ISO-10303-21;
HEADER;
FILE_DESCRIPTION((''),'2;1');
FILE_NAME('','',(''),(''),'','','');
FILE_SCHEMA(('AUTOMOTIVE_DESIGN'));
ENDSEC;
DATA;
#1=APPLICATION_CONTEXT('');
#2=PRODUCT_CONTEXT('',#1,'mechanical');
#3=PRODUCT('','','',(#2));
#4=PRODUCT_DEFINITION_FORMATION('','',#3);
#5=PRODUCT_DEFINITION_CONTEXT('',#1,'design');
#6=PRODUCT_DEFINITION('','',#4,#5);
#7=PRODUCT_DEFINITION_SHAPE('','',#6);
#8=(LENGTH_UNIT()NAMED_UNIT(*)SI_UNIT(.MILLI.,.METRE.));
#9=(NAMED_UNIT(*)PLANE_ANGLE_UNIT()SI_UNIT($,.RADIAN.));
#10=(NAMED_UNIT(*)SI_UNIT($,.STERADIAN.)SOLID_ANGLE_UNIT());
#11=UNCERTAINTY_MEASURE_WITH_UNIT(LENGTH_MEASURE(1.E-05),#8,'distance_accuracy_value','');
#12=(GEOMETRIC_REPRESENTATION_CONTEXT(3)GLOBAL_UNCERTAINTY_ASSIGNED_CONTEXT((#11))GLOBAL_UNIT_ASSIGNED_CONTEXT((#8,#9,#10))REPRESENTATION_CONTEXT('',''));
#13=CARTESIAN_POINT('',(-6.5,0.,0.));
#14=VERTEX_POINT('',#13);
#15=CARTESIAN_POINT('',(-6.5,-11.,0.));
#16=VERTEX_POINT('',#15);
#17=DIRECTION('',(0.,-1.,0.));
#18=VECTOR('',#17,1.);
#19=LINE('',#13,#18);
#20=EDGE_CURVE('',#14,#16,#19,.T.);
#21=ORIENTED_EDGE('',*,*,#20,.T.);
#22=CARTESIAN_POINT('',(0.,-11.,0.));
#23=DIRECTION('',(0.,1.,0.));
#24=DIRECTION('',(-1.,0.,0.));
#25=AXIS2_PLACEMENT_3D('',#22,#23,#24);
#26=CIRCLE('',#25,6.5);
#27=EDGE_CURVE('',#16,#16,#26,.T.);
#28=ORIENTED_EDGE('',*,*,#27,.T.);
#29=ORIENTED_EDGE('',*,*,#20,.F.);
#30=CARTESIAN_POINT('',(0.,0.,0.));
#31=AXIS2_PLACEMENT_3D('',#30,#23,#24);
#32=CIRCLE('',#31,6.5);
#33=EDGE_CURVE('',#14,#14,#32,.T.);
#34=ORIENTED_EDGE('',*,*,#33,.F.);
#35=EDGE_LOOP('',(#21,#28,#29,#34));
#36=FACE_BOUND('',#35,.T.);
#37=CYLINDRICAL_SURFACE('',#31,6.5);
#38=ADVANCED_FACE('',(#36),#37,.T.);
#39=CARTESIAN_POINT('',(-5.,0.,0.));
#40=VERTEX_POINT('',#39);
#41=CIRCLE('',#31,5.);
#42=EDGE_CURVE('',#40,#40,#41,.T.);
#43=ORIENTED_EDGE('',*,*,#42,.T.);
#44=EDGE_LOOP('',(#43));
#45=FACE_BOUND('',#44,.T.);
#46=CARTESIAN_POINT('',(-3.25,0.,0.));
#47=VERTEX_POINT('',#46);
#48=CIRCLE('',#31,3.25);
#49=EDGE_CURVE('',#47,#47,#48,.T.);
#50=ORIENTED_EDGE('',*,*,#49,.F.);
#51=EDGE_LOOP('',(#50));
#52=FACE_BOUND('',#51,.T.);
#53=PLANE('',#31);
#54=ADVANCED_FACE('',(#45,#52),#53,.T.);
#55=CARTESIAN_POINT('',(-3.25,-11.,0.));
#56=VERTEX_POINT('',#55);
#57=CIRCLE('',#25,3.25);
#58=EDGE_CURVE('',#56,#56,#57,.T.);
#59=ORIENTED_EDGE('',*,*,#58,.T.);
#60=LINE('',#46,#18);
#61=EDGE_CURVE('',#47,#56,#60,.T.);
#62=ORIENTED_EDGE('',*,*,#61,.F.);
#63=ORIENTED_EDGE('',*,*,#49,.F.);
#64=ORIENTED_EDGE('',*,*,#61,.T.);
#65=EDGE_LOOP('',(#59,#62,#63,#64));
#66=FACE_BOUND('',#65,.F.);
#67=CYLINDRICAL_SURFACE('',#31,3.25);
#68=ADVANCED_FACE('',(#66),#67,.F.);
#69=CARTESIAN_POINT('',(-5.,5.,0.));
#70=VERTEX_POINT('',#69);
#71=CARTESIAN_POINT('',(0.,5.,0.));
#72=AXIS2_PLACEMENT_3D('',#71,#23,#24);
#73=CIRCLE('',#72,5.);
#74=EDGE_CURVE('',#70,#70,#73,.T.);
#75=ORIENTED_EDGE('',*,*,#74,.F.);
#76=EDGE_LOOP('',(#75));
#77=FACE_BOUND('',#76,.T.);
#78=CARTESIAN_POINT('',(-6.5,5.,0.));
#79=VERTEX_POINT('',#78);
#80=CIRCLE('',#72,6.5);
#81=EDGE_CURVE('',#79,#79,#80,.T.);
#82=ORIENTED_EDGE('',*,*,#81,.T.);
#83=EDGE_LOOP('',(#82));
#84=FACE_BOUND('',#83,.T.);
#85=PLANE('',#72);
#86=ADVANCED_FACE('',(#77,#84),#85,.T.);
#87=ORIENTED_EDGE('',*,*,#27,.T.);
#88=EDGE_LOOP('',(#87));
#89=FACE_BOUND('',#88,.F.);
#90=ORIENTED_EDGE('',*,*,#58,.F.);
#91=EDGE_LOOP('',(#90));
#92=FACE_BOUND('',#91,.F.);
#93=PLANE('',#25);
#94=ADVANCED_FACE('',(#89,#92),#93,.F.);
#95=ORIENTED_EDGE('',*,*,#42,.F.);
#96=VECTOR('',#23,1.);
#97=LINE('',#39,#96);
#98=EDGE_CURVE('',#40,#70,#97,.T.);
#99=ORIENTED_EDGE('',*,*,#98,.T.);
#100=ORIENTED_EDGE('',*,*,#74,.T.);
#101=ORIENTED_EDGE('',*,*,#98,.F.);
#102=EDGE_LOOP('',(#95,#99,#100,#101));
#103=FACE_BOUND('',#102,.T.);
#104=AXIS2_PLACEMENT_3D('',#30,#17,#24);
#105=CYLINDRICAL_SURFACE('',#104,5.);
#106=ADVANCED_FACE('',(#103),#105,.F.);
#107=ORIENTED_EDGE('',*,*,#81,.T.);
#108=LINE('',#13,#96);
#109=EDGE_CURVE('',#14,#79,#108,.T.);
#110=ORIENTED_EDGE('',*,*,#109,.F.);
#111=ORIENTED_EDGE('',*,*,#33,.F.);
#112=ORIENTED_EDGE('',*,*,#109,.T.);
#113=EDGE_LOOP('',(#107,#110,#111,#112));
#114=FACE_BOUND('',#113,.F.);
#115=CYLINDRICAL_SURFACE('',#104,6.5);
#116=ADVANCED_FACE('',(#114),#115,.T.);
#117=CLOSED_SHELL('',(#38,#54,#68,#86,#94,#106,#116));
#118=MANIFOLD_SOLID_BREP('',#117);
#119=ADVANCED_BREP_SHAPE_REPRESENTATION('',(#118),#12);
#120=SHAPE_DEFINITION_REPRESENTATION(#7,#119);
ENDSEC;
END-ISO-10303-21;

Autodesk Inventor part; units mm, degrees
ref_plane "YZ Plane" through (0, 0, 0) normal (1, 0, 0) x (0, 1, 0)
ref_plane "XZ Plane" through (0, 0, 0) normal (0, 1, 0) x (-1, 0, 0)
ref_plane "XY Plane" through (0, 0, 0) normal (0, 0, 1) x (1, 0, 0)
sketch "Sketch1" plane through (0, 0, 0) normal (0, 1, 0) x (-1, 0, 0)
  circle A0 centre (0, 0) radius 5
  circle A1 centre (0, 0) radius 6.5
  circle A2 centre (0, 0) radius 3.25
  dimension "d0" = 10
  dimension "d1" = 13
  dimension "d4" = 6.5
extrude "Extrusion5" add sketch "Sketch1" along normal blind 5 contours A1
extrude "Extrusion6" add sketch "Sketch1" against normal blind 11 contours A0 | A1
properties part number "clip_holder_ring"
